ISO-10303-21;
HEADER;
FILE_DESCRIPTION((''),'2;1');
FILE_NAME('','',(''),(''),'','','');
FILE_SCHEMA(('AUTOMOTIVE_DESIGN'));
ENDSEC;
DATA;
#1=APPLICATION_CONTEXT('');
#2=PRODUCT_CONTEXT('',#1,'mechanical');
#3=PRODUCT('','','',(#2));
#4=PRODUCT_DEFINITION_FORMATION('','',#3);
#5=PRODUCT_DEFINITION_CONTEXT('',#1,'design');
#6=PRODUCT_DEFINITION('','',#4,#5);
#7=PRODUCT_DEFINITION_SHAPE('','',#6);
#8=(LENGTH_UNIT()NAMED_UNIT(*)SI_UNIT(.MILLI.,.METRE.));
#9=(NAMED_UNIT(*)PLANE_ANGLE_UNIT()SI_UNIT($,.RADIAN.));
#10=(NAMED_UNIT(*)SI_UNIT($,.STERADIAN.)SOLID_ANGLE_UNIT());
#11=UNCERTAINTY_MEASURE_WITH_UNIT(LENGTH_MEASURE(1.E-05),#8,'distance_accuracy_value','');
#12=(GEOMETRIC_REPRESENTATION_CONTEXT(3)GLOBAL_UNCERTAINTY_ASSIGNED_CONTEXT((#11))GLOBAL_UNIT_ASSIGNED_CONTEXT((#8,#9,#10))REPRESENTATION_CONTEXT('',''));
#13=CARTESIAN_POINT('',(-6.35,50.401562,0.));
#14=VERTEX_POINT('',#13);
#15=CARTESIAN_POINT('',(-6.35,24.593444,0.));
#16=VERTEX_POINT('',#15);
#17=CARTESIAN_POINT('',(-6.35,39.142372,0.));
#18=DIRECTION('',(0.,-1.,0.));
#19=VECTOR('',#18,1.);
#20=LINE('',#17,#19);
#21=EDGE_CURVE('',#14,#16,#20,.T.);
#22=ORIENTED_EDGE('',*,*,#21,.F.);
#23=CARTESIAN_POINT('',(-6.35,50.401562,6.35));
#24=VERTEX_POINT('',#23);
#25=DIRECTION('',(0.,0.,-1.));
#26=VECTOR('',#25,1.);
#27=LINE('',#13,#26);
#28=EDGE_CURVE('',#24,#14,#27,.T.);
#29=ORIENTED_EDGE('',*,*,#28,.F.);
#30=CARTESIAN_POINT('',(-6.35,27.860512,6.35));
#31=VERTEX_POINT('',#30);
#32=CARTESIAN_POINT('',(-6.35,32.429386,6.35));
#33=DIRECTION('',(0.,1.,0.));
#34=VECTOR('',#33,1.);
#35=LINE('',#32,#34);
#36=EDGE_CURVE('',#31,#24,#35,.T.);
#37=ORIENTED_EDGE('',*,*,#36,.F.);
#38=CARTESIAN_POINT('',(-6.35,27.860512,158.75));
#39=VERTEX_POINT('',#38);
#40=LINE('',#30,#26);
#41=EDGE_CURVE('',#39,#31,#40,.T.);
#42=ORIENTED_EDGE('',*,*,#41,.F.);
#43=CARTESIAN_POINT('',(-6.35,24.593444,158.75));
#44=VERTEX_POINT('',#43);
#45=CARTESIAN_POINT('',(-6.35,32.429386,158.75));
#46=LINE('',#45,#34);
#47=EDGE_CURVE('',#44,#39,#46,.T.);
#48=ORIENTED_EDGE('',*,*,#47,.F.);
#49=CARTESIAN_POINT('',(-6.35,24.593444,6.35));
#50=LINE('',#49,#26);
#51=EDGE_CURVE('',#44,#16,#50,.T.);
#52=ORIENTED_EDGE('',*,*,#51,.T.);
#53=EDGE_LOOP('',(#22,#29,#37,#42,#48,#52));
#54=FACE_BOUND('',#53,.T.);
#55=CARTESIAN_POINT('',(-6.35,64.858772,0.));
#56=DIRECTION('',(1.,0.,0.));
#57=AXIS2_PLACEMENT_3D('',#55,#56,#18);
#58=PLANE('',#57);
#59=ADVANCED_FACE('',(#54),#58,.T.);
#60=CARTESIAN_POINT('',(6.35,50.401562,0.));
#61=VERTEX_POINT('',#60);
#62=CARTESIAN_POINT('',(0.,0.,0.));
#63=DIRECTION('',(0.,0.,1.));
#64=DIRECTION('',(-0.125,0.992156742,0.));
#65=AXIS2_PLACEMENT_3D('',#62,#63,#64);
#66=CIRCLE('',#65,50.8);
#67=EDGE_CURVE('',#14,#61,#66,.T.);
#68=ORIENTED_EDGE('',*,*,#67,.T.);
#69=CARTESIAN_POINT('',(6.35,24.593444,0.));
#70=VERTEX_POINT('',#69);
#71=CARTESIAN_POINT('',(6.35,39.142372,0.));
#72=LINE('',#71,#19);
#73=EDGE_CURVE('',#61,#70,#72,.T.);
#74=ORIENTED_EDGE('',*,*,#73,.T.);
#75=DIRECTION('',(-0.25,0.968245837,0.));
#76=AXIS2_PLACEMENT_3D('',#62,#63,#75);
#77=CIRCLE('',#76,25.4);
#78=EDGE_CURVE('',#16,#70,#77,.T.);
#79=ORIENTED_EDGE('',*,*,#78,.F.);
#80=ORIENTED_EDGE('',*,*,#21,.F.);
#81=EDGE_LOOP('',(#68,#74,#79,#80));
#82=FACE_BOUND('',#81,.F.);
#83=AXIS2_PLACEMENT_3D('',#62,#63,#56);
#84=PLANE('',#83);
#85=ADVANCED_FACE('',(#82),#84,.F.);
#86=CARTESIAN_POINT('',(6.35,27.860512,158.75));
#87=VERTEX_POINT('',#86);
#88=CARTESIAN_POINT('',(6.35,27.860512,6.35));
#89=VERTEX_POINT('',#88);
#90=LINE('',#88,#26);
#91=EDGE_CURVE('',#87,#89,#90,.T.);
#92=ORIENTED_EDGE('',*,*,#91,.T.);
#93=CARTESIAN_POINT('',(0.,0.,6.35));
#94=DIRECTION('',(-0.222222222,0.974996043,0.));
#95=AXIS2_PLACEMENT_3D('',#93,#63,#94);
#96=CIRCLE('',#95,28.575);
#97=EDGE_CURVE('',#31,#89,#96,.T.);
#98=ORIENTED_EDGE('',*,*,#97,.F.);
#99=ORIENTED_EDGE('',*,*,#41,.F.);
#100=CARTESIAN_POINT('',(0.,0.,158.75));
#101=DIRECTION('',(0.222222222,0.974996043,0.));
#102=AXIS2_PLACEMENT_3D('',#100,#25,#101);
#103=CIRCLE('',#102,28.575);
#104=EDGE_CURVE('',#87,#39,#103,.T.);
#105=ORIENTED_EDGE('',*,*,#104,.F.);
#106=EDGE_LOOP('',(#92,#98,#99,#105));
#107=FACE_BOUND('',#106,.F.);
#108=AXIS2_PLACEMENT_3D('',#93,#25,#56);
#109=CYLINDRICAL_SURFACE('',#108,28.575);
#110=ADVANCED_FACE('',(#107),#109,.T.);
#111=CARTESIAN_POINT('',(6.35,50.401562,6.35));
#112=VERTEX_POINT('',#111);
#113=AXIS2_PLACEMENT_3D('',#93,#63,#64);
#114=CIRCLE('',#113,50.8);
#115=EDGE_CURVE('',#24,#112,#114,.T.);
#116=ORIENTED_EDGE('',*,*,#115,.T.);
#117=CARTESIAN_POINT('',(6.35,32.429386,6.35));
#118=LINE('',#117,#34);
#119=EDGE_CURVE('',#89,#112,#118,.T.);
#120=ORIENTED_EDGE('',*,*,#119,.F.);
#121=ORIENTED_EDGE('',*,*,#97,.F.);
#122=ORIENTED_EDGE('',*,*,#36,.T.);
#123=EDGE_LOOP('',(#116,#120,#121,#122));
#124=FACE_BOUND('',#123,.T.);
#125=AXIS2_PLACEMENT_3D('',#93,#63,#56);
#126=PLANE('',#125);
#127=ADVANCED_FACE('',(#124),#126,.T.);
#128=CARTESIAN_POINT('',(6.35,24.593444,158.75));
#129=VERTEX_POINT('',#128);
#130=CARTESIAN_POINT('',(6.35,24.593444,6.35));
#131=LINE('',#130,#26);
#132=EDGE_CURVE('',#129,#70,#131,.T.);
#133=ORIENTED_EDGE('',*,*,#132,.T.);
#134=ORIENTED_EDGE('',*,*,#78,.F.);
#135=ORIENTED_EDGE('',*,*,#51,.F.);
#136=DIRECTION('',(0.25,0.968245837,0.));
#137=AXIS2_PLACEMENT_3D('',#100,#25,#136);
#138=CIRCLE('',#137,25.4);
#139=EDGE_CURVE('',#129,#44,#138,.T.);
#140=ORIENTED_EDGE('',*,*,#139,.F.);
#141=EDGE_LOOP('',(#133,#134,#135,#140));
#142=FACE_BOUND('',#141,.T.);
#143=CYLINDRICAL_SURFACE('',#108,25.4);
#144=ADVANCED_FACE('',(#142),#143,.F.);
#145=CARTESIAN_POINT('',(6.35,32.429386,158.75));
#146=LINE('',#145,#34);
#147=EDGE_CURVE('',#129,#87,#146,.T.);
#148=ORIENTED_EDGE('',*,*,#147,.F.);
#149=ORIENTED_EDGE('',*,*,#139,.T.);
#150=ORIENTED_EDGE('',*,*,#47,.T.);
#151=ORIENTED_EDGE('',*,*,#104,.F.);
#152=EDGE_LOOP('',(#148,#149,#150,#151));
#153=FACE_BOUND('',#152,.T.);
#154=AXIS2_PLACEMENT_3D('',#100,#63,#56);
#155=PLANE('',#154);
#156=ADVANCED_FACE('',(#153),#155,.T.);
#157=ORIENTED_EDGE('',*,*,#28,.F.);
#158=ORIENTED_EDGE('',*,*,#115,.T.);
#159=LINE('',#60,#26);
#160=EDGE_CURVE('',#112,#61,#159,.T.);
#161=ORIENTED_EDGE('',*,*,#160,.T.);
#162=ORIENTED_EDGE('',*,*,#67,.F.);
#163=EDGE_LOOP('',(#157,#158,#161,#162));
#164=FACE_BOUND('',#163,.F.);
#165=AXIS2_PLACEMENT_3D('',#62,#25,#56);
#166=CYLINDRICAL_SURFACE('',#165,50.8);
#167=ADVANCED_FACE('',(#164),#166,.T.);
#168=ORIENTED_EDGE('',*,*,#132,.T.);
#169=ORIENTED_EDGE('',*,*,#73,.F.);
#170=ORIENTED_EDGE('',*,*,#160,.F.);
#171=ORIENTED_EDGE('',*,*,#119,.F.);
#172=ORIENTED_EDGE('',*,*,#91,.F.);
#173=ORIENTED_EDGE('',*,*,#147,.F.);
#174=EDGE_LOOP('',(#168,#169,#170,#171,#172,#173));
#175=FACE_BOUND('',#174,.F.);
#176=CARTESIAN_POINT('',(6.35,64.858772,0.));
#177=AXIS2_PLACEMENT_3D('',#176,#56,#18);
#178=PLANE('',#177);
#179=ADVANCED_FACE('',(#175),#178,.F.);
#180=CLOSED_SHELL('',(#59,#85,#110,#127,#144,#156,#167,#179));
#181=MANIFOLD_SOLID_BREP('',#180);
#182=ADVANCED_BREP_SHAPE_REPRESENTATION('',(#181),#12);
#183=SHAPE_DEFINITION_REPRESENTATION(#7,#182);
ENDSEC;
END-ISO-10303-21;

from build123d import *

# Parameters (mm, degrees)
F0_R     = 50.8
F0_R_2   = 25.4
F1_DEPTH = 6.35
F2_R     = 28.575
F2_R_2   = 25.4
F3_DEPTH = 152.4
F4_W     = 12.7
F4_H     = 51.4328
F5_DEPTH = 158.751


with BuildPart() as f1:
    # F0 (on Top) → F1 (new body)
    with BuildSketch(Plane.XY):
        Circle(F0_R)
        Circle(F0_R_2, mode=Mode.SUBTRACT)
    extrude(amount=F1_DEPTH)

    # F2 (on face) → F3 (join)
    with BuildSketch(Plane.XY.offset(6.35)):
        Circle(F2_R)
        Circle(F2_R_2, mode=Mode.SUBTRACT)
    extrude(amount=F3_DEPTH)

    # F4 (on face) → F5 (cut, through all)
    with BuildSketch(Plane(origin=(0, 0, 0), x_dir=(1, 0, 0), z_dir=(0, 0, -1))):
        with Locations((0, -39.142372)):
            Rectangle(F4_W, F4_H)
    extrude(amount=-F5_DEPTH, mode=Mode.SUBTRACT)


solid = f1.part
